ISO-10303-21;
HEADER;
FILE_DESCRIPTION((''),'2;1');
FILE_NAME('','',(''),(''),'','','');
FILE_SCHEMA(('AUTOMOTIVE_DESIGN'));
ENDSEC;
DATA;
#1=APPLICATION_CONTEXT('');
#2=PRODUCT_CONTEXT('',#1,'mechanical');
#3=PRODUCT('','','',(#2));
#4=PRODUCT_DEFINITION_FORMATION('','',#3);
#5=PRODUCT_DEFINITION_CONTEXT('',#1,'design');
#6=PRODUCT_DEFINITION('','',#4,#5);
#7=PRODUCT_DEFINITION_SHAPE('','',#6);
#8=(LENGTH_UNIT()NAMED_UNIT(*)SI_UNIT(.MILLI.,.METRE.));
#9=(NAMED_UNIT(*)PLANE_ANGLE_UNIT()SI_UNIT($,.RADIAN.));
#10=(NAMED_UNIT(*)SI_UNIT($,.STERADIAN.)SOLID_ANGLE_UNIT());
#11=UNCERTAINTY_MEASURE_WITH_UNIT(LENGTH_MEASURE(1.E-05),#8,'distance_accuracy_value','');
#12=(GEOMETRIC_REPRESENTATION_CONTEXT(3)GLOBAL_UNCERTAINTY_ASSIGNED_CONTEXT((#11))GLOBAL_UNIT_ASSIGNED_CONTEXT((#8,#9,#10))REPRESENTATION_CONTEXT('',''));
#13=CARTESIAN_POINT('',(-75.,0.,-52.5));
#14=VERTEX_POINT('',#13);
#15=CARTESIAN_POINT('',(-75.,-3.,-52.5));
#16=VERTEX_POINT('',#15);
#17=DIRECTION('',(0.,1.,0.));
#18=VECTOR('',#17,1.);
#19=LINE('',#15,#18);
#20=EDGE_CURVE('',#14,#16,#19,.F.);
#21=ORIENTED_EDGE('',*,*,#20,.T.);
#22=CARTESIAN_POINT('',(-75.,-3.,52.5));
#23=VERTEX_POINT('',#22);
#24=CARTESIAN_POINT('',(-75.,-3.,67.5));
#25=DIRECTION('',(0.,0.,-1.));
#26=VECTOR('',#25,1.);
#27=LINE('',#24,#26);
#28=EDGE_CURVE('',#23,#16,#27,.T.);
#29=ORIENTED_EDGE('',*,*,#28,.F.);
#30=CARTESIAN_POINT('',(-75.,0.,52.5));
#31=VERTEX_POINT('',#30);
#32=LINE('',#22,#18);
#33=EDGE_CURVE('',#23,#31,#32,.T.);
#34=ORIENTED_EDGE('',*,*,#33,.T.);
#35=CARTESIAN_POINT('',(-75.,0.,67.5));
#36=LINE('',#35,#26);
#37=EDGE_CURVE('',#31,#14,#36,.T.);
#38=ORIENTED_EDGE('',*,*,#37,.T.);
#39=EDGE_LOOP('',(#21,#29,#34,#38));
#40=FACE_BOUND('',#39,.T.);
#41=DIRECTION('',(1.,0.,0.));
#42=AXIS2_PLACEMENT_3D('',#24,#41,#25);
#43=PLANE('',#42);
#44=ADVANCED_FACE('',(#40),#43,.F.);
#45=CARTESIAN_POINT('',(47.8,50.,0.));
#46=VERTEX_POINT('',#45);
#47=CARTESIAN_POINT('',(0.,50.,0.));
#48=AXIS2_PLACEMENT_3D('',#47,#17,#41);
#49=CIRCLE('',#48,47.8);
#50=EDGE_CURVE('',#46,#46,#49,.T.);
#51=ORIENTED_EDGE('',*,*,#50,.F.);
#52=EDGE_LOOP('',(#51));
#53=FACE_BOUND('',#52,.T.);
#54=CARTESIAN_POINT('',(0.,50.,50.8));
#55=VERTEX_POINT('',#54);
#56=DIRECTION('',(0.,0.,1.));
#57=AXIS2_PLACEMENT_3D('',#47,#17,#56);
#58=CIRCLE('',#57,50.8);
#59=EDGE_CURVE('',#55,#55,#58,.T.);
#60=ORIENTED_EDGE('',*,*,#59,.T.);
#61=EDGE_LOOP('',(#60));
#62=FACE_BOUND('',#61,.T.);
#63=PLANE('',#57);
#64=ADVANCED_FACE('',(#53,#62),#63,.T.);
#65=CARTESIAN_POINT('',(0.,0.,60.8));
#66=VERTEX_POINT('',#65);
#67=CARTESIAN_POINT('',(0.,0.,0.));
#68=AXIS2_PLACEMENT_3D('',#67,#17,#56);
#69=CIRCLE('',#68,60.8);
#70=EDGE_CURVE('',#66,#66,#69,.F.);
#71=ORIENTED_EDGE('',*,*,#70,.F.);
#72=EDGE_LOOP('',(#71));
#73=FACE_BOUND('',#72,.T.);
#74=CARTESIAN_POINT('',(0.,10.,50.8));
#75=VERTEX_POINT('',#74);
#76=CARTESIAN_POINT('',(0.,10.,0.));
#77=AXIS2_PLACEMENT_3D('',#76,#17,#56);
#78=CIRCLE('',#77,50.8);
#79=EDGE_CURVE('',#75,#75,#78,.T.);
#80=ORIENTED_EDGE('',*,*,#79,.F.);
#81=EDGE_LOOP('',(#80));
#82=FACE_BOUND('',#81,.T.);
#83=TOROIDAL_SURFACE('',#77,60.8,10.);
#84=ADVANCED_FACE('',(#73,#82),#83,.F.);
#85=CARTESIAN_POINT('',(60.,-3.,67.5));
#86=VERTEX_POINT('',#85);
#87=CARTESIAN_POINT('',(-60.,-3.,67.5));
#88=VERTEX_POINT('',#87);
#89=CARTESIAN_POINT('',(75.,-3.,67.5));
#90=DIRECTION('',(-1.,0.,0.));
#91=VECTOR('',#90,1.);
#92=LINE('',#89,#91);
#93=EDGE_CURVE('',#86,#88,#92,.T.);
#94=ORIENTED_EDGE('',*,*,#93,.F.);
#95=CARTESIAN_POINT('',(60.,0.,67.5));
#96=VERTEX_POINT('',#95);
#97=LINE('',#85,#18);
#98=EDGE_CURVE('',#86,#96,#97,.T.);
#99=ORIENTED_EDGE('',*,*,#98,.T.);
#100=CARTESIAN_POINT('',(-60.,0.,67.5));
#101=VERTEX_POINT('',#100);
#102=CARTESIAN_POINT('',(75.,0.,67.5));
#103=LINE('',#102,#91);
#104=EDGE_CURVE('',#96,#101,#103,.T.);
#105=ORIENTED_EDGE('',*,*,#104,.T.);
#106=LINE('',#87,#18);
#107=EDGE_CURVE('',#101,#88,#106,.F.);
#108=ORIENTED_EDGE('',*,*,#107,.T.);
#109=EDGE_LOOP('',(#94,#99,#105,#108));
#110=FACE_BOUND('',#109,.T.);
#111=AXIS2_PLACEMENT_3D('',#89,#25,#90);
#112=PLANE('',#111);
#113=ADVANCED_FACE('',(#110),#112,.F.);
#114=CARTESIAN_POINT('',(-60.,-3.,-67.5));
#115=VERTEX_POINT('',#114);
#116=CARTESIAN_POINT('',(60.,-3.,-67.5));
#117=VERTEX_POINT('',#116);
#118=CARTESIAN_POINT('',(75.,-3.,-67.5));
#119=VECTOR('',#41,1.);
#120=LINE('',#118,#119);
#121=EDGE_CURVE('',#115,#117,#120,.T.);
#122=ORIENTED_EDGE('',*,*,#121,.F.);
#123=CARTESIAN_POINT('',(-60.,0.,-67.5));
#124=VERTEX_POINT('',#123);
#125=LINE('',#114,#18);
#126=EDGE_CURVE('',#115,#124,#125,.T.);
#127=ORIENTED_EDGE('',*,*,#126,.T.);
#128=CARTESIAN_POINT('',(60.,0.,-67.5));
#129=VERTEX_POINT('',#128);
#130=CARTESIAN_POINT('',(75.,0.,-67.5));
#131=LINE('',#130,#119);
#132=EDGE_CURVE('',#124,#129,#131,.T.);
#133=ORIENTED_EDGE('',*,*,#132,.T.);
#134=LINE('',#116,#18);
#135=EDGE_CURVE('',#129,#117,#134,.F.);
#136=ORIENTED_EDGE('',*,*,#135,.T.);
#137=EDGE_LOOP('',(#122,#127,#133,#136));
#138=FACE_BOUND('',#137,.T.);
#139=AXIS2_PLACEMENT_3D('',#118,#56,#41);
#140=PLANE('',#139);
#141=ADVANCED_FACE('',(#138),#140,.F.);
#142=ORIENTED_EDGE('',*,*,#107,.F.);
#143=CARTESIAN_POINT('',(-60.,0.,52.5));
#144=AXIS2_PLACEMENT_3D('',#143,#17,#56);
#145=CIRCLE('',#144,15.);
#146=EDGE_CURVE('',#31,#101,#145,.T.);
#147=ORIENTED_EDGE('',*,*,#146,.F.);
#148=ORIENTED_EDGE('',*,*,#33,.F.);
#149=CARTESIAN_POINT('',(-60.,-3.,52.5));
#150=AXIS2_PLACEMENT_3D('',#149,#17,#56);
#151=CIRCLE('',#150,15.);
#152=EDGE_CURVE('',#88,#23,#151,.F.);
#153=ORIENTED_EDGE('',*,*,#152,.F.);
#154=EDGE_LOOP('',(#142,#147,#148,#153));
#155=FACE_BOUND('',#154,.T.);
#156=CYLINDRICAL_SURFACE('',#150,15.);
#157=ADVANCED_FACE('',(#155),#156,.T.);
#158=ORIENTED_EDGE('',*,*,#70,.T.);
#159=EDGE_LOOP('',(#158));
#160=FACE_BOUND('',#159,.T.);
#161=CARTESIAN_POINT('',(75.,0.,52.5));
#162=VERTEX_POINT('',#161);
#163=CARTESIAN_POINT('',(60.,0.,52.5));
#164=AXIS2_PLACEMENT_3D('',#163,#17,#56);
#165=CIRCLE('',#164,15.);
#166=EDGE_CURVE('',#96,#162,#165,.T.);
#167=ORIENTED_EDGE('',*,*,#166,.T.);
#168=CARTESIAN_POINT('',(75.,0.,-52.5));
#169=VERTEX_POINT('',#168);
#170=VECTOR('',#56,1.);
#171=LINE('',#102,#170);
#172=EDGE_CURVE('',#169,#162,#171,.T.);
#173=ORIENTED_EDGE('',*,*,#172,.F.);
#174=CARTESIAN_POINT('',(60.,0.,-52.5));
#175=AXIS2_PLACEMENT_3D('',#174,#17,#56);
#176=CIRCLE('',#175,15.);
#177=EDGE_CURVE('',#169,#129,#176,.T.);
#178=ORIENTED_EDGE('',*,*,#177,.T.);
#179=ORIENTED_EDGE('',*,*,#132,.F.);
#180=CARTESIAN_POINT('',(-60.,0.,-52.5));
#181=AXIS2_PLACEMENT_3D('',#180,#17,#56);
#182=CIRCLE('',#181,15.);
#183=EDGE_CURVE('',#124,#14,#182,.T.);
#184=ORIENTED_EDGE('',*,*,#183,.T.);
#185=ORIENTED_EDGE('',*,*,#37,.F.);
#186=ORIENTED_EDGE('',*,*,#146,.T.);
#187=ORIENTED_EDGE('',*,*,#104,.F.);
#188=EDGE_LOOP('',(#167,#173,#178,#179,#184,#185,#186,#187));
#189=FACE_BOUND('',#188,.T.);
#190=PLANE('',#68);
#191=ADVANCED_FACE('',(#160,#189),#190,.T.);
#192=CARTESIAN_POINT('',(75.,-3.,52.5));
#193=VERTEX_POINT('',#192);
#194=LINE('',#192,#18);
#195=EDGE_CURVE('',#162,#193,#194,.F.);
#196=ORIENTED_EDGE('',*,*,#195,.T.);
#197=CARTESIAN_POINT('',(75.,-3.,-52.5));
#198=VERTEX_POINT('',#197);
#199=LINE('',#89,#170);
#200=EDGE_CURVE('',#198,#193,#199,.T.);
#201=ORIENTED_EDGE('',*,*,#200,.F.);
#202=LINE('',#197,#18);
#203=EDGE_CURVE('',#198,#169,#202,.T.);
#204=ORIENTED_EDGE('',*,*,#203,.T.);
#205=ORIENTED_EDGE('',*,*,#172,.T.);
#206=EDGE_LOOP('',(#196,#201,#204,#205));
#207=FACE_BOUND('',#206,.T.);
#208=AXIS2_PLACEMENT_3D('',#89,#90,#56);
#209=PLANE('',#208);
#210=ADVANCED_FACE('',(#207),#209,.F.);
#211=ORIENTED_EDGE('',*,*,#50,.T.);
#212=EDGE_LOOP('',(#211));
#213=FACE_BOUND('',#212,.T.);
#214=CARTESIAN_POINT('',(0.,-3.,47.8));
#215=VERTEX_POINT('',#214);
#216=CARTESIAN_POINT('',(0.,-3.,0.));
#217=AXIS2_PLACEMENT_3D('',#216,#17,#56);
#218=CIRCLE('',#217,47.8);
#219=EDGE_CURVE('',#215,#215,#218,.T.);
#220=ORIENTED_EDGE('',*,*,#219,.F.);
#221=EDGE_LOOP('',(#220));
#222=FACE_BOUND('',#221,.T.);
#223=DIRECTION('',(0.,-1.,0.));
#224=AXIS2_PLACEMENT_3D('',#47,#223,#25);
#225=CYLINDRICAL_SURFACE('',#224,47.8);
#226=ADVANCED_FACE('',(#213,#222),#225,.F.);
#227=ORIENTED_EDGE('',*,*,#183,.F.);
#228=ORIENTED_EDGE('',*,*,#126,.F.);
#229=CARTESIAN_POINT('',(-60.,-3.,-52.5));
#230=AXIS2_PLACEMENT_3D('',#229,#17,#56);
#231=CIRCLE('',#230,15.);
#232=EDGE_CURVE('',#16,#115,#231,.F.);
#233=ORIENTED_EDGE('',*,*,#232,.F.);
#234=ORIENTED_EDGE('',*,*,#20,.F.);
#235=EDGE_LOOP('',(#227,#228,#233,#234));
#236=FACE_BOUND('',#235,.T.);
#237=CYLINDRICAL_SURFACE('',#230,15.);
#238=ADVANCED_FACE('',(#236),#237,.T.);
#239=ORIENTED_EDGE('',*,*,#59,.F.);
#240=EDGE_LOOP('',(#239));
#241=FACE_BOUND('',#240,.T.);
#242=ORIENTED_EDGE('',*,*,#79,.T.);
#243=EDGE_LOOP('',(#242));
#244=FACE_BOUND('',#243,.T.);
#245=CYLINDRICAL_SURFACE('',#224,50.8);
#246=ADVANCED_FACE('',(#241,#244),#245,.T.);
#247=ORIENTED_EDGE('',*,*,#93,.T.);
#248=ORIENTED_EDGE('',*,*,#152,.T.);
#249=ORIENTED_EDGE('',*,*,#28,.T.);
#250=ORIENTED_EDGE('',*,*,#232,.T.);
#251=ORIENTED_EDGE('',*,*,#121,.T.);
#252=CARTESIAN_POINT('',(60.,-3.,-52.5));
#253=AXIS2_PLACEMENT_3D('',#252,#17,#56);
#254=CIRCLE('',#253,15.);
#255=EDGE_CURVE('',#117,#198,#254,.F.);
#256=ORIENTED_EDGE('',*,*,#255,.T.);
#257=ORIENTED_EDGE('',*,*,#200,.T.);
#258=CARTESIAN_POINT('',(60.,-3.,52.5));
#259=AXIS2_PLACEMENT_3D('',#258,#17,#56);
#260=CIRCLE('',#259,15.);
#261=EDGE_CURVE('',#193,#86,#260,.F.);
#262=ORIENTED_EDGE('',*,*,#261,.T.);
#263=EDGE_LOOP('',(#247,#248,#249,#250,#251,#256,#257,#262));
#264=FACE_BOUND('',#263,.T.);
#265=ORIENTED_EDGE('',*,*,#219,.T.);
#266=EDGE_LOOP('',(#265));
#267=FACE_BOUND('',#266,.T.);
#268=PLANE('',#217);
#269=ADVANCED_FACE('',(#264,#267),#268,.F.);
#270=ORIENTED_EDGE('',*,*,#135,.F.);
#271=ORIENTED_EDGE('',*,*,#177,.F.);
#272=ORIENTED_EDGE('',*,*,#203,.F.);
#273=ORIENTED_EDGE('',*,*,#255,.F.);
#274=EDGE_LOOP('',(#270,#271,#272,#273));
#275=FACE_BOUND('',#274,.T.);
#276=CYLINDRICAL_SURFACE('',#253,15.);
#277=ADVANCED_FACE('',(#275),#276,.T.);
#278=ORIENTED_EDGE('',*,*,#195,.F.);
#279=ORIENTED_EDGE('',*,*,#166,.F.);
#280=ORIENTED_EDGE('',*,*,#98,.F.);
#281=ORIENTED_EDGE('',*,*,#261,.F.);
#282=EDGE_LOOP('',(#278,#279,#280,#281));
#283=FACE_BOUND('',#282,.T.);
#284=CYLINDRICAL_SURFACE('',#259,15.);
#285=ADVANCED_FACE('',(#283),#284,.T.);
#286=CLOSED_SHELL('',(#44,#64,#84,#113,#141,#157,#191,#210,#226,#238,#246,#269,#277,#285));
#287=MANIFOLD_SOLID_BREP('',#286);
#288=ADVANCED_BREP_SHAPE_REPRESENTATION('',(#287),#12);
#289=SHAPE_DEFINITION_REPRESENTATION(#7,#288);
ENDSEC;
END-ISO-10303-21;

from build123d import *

# Parameters (mm, degrees)
ESBO_O1_R                = 50.8
ESBO_O1_R_2              = 47.8
EXTRUS_O_FINA1_DEPTH     = 50
ESBO_O2_W                = 150
ESBO_O2_H                = 135
RESSALTO_EXTRUS_O1_DEPTH = 3
FILETE1_R                = 10
FILETE2_R                = 15
ESBO_O3_R                = 47.8
CORTE_EXTRUS_O1_DEPTH    = 113.611056296


with BuildPart() as part:
    # Esboço1 → Extrusão-Fina1 (new body)
    with BuildSketch(Plane(origin=(0, 0, 0), x_dir=(1, 0, 0), z_dir=(0, 1, 0))):
        Circle(ESBO_O1_R)
        Circle(ESBO_O1_R_2, mode=Mode.SUBTRACT)
    extrude(amount=EXTRUS_O_FINA1_DEPTH)

    # Esboço2 → Ressalto-extrusão1 (add)
    with BuildSketch(Plane.XZ):
        Rectangle(ESBO_O2_W, ESBO_O2_H)
    extrude(amount=RESSALTO_EXTRUS_O1_DEPTH)

    # Filete1
    filete1_edges = [part.edges().sort_by_distance(p)[0] for p in [
        (-50.8, 0, 0),
    ]]
    fillet(filete1_edges, radius=FILETE1_R)

    # Filete2
    filete2_edges = [part.edges().sort_by_distance(p)[0] for p in [
        (-75, -1.5, -67.5),
        (75, -1.5, -67.5),
        (75, -1.5, 67.5),
        (-75, -1.5, 67.5),
    ]]
    fillet(filete2_edges, radius=FILETE2_R)

    # Esboço3 → Corte-extrusão1 (cut, through all)
    with BuildSketch(Plane(origin=(0, 0, 0), x_dir=(1, 0, 0), z_dir=(0, 1, 0))):
        Circle(ESBO_O3_R)
    extrude(amount=-CORTE_EXTRUS_O1_DEPTH, mode=Mode.SUBTRACT)


solid = part.part
